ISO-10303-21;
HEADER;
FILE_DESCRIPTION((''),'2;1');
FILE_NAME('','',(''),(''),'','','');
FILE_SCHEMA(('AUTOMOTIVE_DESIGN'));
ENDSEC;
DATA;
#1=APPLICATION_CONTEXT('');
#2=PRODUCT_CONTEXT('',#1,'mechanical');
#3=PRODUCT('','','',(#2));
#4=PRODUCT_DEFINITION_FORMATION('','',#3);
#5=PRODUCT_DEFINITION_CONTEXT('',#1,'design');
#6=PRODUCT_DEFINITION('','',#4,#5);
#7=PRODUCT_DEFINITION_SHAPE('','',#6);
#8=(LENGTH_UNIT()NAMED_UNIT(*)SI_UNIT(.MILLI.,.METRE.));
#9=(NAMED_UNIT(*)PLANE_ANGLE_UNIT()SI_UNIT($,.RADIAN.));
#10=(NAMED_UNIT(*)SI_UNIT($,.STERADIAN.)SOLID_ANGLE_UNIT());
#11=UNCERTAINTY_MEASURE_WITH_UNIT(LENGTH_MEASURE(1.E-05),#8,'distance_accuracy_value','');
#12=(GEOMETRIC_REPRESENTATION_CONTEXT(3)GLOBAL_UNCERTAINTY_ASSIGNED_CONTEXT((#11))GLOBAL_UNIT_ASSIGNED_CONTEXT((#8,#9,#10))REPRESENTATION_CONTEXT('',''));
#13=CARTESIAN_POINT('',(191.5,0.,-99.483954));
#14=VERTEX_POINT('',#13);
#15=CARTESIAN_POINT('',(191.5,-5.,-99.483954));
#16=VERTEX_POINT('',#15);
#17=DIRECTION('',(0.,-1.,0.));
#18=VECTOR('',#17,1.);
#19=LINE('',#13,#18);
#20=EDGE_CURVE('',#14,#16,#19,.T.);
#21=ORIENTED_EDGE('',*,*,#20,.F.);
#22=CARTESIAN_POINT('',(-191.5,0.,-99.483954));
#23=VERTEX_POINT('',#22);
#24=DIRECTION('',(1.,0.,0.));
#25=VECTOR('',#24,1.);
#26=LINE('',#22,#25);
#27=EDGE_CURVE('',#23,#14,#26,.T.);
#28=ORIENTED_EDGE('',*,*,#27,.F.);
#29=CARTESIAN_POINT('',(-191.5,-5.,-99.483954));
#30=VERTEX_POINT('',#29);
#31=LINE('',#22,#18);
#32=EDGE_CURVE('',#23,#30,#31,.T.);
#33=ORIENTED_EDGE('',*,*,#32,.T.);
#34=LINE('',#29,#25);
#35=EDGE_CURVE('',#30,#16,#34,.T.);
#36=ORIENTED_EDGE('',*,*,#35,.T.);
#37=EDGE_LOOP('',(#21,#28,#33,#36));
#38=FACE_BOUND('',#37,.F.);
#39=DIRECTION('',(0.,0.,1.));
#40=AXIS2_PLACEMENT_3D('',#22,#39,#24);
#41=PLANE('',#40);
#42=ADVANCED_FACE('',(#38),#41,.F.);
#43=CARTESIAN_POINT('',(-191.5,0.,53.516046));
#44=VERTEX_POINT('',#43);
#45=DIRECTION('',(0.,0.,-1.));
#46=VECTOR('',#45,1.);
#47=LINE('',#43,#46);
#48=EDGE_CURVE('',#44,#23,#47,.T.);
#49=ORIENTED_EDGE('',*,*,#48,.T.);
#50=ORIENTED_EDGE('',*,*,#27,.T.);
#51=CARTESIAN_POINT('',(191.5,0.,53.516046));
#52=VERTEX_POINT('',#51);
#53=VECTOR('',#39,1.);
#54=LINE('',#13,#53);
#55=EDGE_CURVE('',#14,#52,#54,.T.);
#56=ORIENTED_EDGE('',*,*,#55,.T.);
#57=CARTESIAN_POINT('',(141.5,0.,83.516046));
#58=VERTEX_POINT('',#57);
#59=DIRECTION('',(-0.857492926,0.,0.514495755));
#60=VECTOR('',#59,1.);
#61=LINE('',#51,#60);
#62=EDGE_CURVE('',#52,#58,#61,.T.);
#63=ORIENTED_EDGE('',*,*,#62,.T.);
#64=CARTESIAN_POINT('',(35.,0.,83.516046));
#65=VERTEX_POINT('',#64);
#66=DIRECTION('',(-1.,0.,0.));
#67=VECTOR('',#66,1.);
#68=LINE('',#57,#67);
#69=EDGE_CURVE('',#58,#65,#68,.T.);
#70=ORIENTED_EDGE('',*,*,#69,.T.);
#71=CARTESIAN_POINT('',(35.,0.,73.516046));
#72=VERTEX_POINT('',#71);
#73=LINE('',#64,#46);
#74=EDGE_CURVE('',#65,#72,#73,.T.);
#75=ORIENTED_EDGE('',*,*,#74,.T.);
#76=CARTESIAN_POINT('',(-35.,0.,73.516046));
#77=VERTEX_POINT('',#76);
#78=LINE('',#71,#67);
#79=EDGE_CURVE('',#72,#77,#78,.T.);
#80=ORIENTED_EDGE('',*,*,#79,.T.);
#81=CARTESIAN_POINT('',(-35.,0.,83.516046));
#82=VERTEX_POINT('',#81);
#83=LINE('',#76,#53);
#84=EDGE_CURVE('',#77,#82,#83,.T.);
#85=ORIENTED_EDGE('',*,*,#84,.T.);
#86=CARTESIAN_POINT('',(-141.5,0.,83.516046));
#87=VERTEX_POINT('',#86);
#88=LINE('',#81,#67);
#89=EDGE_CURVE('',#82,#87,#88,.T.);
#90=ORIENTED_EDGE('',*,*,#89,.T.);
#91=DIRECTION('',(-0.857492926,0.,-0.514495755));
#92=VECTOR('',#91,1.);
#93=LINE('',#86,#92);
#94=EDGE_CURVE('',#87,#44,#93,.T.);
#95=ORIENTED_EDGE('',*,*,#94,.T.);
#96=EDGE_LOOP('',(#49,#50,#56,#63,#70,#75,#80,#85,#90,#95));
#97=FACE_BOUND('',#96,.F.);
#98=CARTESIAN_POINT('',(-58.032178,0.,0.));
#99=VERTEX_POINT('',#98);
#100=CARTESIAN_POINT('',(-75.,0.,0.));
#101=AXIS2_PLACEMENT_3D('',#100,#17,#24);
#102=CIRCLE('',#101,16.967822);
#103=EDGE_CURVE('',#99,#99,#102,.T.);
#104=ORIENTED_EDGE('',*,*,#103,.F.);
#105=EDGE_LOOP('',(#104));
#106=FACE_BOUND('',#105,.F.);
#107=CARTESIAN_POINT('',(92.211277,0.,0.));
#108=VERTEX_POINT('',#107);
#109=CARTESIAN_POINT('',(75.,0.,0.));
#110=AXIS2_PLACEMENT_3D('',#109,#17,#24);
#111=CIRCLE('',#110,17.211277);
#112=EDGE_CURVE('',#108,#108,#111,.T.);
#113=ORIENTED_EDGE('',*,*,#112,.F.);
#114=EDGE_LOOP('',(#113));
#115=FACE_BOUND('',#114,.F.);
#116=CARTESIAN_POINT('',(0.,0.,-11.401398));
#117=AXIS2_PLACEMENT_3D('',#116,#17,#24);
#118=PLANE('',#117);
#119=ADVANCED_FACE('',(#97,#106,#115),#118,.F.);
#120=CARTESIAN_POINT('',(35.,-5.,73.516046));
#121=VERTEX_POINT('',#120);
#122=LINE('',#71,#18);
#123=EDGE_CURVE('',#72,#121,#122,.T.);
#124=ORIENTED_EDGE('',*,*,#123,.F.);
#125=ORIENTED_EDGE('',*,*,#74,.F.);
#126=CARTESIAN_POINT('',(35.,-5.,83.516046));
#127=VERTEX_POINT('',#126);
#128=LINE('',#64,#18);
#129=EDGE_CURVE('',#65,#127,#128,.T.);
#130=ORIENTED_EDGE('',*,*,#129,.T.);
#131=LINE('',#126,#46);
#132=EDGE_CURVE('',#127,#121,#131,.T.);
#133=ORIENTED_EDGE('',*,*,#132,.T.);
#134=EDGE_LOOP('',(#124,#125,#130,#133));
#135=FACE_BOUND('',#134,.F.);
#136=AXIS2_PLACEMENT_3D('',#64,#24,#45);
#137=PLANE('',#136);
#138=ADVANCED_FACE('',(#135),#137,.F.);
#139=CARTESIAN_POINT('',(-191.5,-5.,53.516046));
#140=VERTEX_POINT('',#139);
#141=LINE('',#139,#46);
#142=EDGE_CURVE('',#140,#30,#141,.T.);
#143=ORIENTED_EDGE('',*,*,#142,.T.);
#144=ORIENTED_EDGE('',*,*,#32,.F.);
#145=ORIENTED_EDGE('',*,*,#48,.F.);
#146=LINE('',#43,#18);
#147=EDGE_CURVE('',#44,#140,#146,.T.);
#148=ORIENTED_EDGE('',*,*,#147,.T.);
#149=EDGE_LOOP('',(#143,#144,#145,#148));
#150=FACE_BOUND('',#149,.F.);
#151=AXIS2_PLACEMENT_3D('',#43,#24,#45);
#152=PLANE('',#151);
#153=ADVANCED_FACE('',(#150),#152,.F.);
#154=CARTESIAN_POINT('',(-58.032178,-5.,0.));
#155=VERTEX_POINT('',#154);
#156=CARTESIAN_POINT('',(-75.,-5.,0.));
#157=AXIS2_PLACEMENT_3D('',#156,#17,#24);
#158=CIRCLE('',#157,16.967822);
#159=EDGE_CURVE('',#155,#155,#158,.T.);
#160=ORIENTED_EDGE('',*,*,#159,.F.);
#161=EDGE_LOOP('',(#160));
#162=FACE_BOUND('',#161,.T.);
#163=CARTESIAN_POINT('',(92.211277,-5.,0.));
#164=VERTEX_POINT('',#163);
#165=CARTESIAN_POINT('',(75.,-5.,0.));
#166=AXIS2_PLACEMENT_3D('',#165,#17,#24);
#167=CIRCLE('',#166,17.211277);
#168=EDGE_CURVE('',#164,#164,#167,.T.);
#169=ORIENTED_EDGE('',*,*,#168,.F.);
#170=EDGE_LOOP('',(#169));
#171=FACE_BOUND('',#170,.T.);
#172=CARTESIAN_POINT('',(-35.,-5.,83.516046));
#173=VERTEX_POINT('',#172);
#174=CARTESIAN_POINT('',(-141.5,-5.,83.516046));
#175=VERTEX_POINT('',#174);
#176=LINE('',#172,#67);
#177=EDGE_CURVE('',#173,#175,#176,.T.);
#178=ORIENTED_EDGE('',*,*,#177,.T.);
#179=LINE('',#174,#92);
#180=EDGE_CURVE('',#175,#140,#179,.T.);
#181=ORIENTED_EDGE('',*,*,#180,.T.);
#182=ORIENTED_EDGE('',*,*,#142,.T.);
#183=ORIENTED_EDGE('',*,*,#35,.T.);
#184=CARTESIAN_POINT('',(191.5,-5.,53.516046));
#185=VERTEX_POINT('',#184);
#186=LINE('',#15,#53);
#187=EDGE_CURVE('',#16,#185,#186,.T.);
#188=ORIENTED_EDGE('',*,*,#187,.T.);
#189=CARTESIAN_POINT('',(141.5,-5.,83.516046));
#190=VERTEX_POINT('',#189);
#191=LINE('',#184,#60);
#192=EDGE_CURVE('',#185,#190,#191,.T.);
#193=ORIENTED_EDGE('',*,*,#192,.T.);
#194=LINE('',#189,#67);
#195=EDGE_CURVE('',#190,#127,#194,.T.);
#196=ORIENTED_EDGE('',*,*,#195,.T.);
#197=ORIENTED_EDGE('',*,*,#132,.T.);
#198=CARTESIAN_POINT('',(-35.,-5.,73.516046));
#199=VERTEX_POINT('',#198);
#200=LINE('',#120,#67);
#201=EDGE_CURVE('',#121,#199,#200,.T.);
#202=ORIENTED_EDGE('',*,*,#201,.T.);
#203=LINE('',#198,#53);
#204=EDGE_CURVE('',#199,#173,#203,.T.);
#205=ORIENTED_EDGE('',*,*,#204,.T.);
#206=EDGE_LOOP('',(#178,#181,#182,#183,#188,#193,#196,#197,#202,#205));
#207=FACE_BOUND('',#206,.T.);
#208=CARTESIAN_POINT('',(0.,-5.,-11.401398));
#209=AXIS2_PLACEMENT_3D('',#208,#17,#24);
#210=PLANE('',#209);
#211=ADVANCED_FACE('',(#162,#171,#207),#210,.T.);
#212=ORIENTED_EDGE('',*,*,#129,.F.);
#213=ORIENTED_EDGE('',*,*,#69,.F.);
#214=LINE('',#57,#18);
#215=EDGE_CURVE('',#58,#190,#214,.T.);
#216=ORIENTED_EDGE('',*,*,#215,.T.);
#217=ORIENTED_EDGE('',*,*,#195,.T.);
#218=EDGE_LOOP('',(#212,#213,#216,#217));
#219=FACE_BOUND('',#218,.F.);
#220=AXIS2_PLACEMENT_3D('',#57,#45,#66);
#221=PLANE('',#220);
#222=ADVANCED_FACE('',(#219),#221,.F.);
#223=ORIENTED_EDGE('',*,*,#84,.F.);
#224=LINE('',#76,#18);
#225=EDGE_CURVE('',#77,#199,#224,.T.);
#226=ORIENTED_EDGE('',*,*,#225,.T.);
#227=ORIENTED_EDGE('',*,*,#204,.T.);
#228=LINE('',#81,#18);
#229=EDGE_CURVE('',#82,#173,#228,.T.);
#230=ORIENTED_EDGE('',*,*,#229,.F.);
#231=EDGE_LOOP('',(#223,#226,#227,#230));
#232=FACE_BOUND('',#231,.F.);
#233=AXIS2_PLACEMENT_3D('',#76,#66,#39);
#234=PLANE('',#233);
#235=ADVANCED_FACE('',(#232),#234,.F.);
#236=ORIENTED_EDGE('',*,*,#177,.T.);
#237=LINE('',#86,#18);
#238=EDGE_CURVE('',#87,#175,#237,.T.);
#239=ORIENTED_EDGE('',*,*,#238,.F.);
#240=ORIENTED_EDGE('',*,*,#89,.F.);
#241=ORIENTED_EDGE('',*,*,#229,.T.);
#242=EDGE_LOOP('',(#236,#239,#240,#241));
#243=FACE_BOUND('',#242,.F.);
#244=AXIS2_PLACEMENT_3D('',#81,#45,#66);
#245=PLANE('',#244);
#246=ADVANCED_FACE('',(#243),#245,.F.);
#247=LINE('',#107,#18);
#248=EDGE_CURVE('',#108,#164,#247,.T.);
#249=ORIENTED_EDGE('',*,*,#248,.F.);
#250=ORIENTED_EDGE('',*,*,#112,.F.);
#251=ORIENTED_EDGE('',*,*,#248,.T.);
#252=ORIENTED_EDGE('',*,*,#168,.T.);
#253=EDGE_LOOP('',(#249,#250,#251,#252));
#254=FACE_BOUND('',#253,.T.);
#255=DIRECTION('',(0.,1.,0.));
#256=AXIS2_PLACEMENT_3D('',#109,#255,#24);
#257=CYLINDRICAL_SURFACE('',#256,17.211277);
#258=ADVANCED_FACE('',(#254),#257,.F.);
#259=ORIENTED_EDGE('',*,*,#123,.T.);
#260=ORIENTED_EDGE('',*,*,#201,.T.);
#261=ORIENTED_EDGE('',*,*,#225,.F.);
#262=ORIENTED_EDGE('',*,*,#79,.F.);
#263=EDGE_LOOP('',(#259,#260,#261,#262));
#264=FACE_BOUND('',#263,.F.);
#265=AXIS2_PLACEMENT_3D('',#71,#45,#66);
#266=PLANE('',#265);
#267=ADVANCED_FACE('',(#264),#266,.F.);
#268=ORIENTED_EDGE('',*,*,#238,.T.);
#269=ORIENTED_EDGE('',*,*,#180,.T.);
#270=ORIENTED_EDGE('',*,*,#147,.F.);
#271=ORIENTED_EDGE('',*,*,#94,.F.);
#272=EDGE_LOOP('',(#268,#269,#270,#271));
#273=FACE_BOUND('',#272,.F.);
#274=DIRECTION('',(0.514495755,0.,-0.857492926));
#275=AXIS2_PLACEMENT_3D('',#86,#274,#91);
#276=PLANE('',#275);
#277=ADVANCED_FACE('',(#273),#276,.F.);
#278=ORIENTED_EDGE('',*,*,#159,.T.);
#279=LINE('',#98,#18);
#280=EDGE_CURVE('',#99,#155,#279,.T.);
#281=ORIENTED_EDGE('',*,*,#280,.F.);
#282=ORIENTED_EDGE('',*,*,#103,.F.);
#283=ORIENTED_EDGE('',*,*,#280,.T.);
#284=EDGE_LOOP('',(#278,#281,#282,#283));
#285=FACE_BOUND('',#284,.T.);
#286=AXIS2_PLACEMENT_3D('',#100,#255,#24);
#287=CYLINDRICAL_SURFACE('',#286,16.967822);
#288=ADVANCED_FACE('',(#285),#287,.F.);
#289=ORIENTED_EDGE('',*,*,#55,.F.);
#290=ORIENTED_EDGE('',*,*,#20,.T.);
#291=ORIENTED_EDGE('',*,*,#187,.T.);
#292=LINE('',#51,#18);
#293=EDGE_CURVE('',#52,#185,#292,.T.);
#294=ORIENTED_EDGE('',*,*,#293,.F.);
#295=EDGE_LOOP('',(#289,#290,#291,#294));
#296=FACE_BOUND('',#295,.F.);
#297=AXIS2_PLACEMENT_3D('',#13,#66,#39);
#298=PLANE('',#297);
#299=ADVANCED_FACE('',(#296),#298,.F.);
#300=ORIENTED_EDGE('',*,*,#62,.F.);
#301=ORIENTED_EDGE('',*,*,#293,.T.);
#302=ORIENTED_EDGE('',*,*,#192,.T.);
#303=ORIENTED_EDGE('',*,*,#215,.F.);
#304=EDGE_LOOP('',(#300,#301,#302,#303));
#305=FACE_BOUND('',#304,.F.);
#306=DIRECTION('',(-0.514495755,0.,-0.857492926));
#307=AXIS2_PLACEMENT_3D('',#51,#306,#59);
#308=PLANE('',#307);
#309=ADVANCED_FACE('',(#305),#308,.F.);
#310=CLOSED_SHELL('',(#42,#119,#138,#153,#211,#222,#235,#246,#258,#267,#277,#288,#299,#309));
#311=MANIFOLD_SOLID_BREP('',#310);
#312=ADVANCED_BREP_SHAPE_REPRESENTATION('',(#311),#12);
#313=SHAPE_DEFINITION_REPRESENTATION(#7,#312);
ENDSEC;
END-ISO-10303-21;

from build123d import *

# Parameters (mm, degrees)
F0_R     = 16.967822
F0_R_2   = 17.211277
F1_DEPTH = 5


with BuildPart() as f1:
    # F0 (on Front) → F1 (new body)
    with BuildSketch(Plane.XZ):
        Polygon((-35, 83.516046), (-141.5, 83.516046), (-191.5, 53.516046), (-191.5, -99.483954), (191.5, -99.483954), (191.5, 53.516046), (141.5, 83.516046), (35, 83.516046), (35, 73.516046), (-35, 73.516046), align=None)
        with Locations((-75, 0)):
            Circle(F0_R, mode=Mode.SUBTRACT)
        with Locations((75, 0)):
            Circle(F0_R_2, mode=Mode.SUBTRACT)
    extrude(amount=F1_DEPTH)


solid = f1.part
